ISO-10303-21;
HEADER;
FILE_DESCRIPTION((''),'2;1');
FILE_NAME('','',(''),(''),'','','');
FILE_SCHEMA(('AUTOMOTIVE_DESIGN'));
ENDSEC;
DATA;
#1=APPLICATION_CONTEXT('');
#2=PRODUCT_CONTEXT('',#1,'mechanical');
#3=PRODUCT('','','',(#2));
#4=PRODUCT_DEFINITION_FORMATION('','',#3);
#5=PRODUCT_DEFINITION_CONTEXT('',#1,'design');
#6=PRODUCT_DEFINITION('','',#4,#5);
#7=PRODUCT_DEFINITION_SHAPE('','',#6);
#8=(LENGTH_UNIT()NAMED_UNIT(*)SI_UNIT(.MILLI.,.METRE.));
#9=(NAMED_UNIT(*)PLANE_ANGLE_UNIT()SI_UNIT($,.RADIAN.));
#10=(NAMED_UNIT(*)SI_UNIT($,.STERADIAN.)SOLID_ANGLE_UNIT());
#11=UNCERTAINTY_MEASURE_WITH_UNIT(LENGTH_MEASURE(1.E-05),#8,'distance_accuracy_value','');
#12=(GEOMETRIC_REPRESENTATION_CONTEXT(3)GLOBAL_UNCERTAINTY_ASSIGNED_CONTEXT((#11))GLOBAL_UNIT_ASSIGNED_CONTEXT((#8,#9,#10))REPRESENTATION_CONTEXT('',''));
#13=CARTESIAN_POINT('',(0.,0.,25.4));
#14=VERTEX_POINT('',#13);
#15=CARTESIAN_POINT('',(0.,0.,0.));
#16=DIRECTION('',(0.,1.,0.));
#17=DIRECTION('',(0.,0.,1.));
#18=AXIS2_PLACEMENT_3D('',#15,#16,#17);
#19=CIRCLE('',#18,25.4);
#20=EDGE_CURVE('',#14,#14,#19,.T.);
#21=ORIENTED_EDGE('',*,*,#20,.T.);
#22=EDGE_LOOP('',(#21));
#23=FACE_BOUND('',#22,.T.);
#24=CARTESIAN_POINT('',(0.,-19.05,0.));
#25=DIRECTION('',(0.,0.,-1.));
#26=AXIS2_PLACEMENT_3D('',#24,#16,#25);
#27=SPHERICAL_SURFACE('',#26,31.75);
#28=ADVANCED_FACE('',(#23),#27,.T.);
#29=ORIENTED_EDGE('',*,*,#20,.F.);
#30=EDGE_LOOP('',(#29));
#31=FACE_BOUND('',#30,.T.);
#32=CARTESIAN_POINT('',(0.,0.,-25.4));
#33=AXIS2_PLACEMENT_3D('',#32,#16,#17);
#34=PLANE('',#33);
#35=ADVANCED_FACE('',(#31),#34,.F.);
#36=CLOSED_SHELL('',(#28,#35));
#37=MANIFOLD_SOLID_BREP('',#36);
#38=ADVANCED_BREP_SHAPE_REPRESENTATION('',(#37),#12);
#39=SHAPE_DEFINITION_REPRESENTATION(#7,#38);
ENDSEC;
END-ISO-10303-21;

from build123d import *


with BuildPart() as part:
    # Sketch1 → Revolve1 (revolve)
    with BuildSketch(Plane(origin=(0, 0, 0), x_dir=(0, 0, -1), z_dir=(1, 0, 0))):
        with BuildLine():
            Line((25.4, 0), (0, 0))
            Line((0, 0), (0, 12.7))
            ThreePointArc((0, 12.7), (14.199031657, 9.348063314), (25.4, 0))
        make_face()
    revolve(axis=Axis((0, 12.7, 0), (0, -1, 0)))


solid = part.part
